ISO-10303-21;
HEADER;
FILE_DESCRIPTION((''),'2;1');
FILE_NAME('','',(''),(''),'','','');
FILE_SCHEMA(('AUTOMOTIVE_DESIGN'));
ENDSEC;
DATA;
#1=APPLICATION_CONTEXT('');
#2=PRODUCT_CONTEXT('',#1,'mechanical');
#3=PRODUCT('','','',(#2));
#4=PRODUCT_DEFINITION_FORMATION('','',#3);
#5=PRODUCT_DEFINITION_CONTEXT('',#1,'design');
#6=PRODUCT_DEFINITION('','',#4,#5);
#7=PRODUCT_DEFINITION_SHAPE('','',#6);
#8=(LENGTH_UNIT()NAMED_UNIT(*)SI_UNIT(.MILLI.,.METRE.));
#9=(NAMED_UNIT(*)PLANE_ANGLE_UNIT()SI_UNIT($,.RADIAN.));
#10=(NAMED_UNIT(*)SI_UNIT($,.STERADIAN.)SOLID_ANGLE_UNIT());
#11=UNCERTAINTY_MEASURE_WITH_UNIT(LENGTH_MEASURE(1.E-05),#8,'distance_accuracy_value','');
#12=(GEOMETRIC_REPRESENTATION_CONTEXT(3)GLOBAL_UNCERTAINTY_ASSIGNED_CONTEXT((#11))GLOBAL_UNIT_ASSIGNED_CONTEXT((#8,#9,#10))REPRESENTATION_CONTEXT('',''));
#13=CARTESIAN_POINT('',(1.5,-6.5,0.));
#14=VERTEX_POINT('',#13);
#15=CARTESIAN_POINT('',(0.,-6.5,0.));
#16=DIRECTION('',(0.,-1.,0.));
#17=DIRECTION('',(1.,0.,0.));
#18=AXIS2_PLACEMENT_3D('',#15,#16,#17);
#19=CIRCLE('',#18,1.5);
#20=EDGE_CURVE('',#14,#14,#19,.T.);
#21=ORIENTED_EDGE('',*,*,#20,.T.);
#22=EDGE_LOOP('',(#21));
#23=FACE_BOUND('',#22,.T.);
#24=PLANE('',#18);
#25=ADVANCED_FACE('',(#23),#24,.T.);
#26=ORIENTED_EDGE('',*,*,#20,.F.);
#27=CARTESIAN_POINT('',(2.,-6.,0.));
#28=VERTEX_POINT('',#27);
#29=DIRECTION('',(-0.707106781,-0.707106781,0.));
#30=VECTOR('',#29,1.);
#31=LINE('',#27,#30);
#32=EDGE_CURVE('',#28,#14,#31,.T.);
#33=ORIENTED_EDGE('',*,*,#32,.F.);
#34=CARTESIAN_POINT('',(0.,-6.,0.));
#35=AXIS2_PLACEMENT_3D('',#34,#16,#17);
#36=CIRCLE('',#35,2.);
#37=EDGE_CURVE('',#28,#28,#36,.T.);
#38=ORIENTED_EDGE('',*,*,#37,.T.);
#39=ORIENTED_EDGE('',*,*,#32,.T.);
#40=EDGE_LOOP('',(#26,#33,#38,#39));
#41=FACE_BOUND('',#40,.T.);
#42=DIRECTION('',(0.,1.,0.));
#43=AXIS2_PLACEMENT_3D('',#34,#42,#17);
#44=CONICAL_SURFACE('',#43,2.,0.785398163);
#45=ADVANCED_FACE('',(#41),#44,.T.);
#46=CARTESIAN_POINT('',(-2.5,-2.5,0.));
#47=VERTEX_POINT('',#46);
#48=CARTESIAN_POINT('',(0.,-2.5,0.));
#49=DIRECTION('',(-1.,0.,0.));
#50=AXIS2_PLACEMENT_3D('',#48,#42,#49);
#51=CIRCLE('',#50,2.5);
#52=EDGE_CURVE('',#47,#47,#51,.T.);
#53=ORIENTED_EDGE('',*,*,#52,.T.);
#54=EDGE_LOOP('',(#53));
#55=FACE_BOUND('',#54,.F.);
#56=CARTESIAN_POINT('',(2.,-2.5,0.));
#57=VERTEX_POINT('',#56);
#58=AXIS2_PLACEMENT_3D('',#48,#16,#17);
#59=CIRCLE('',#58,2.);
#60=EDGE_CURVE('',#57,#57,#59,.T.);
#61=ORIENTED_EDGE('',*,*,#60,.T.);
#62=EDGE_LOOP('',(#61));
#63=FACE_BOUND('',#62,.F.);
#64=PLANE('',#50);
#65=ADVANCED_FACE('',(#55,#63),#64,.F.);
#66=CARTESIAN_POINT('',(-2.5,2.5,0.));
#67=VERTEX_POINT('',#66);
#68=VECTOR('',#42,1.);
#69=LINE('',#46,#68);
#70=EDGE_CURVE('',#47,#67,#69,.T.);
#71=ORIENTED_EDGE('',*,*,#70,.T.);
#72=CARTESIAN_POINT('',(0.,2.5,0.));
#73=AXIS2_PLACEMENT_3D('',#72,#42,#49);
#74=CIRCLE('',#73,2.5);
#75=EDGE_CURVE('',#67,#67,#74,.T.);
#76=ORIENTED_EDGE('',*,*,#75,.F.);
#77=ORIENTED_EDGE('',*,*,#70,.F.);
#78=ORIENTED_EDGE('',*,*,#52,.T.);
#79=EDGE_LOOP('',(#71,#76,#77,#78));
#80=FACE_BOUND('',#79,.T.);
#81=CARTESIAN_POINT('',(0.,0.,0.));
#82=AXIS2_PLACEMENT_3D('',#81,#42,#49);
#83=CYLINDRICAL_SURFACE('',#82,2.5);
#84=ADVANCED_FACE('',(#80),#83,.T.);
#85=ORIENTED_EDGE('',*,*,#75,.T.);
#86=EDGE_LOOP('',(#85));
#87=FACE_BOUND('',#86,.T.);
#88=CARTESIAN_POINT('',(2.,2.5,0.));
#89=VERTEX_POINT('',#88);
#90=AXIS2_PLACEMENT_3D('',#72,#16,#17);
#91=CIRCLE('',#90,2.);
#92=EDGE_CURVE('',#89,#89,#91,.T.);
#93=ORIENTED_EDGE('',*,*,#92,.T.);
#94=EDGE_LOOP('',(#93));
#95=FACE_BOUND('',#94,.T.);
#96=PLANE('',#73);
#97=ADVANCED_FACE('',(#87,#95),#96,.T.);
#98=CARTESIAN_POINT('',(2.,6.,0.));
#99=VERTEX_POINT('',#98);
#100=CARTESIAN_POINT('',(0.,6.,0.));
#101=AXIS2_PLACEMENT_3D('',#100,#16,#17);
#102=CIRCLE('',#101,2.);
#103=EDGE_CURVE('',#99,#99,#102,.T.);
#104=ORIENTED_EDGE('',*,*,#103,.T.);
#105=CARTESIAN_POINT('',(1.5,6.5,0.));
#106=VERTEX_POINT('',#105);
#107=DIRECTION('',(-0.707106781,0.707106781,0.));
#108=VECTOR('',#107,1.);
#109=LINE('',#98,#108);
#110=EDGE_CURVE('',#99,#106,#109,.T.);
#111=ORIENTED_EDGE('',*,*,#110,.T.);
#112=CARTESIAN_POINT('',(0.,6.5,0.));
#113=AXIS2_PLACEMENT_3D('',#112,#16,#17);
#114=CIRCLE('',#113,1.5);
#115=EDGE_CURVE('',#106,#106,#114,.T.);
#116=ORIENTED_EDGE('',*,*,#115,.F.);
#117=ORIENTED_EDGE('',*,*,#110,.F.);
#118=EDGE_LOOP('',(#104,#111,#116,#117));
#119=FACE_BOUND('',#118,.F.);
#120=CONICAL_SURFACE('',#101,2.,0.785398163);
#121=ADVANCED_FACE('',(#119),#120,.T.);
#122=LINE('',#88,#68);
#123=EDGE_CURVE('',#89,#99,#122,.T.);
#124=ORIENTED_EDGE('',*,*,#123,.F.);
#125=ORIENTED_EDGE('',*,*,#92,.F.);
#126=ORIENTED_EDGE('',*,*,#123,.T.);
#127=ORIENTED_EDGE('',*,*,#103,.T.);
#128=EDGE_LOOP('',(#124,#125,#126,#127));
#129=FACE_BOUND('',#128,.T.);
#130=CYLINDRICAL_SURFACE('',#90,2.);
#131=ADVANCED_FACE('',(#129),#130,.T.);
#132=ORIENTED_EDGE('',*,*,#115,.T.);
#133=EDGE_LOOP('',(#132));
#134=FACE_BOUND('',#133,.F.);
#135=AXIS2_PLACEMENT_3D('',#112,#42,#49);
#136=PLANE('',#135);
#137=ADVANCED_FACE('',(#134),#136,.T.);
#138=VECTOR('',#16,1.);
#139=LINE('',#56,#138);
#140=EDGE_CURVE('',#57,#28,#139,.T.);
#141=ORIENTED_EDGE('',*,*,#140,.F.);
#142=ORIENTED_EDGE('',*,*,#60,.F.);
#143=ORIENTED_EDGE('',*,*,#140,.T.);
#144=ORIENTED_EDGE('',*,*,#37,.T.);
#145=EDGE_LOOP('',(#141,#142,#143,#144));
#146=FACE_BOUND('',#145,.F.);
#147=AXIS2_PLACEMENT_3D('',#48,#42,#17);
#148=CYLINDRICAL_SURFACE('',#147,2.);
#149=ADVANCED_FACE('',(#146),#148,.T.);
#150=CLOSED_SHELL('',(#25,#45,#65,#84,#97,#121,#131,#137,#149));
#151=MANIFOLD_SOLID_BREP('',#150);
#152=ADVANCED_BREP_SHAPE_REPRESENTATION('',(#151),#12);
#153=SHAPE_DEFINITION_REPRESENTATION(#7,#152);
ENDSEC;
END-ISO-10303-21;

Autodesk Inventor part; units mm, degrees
ref_plane "YZ Plane" through (0, 0, 0) normal (1, 0, 0) x (0, 1, 0)
ref_plane "XZ Plane" through (0, 0, 0) normal (0, 1, 0) x (-1, 0, 0)
ref_plane "XY Plane" through (0, 0, 0) normal (0, 0, 1) x (1, 0, 0)
sketch "Esquisse1" plane through (0, 0, 0) normal (0, 1, 0) x (-1, 0, 0)
  circle A0 centre (0, 0) radius 2.5
  dimension "d0" = 5
extrude "Extrusion1" add sketch "Esquisse1" along normal mid plane 5
sketch "Esquisse2" plane through (0, -2.5, 0) normal (0, -1, 0) x (1, 0, 0)
  circle A0 centre (0, 0) radius 2
  dimension "d3" = 4
extrude "Extrusion2" add sketch "Esquisse2" along normal blind 4
thread "Filetage1" size "M4x0.7" class "6g" standard "ISO Metric profile" full length
chamfer "Chanfrein1" distance 0.5 angle 45 1 edges at (-2, -6.5, 0)
mirror "Symétrie1" about plane through (0, 0, 0) normal (0, 1, 0) of "Extrusion2", "Chanfrein1"
properties part number "tige_serrage_main" material "Aluminium 6061"
